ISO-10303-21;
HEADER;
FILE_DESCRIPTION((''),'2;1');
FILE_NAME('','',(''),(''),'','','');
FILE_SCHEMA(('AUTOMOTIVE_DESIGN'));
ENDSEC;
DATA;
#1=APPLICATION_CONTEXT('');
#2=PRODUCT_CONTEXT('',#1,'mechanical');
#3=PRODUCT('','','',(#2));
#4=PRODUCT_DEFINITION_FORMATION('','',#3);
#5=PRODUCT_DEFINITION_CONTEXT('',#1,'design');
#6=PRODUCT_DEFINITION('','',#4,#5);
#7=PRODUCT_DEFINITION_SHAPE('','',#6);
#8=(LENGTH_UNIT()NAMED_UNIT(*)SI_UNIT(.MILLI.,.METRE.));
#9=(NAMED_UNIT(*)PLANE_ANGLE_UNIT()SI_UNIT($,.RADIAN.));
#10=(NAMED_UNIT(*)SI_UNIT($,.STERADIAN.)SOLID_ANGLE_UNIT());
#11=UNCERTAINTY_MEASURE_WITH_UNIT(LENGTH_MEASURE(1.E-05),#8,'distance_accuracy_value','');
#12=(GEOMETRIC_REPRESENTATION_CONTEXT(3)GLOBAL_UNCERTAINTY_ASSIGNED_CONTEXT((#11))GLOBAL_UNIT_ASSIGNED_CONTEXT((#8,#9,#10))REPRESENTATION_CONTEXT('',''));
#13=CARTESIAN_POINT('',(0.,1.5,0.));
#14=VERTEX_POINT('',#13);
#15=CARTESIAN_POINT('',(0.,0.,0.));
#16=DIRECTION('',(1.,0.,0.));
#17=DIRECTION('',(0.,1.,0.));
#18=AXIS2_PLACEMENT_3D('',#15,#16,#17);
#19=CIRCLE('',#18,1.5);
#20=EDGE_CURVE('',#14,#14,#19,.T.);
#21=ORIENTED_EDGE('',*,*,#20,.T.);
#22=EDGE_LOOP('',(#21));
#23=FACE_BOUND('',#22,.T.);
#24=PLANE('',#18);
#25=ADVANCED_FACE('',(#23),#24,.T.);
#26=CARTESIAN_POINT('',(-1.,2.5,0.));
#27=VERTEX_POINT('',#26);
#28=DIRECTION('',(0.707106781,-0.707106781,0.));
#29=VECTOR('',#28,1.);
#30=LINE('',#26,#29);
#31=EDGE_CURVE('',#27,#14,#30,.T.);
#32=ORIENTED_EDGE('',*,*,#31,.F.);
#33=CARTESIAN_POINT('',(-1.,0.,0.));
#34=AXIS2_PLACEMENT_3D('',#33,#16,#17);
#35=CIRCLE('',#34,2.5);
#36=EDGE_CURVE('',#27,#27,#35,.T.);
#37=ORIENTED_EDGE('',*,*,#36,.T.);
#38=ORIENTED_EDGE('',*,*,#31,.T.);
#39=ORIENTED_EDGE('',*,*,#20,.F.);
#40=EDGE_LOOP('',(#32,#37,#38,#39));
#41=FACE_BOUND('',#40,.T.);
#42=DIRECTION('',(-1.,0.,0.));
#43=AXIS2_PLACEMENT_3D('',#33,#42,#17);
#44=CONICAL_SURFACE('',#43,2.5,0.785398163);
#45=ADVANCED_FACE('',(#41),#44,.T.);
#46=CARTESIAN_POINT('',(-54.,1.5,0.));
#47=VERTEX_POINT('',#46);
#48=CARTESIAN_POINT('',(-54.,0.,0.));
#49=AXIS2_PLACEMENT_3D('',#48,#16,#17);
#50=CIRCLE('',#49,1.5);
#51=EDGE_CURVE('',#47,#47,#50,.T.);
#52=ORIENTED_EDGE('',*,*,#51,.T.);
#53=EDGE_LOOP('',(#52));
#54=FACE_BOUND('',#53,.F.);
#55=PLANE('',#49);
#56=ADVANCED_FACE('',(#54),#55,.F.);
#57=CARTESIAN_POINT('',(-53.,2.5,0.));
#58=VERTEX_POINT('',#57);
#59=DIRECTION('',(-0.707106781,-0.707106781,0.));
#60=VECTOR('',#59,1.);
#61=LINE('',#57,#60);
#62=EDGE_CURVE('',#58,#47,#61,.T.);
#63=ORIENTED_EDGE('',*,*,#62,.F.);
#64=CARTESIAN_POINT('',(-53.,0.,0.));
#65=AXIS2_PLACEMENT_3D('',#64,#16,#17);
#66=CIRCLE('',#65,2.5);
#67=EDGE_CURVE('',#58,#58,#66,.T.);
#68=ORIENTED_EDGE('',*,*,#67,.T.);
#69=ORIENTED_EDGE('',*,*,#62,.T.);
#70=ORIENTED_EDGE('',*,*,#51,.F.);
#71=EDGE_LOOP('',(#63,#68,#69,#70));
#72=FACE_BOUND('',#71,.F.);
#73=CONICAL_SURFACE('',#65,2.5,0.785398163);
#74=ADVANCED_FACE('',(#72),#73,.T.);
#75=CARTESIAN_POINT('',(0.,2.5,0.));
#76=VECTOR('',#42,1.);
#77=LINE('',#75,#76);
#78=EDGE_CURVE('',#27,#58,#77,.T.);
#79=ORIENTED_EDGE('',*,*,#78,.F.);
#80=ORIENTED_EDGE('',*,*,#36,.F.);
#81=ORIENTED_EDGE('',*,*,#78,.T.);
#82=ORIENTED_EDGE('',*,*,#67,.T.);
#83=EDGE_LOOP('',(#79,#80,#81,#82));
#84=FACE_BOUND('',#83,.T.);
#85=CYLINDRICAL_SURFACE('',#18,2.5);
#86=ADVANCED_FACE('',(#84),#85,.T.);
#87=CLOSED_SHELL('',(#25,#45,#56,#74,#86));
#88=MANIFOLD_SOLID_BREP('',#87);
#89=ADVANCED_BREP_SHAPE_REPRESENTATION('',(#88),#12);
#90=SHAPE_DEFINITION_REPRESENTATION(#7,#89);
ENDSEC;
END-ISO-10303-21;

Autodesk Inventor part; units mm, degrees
ref_plane "YZ Plane" through (0, 0, 0) normal (1, 0, 0) x (0, 1, 0)
ref_plane "XZ Plane" through (0, 0, 0) normal (0, 1, 0) x (-1, 0, 0)
ref_plane "XY Plane" through (0, 0, 0) normal (0, 0, 1) x (1, 0, 0)
sketch "Sketch1" plane through (0, 0, 0) normal (1, 0, 0) x (0, 1, 0)
  circle A0 centre (0, 0) radius 2.5
  dimension "d0" = 5
extrude "Extrusion1" add sketch "Sketch1" against normal blind 54
chamfer "Chamfer1" distance 1 angle 45 2 edges at (-54, -2.5, 0) (0, -2.5, 0)
properties part number "Barrel Resting Pin" material "Iron, Cast"
